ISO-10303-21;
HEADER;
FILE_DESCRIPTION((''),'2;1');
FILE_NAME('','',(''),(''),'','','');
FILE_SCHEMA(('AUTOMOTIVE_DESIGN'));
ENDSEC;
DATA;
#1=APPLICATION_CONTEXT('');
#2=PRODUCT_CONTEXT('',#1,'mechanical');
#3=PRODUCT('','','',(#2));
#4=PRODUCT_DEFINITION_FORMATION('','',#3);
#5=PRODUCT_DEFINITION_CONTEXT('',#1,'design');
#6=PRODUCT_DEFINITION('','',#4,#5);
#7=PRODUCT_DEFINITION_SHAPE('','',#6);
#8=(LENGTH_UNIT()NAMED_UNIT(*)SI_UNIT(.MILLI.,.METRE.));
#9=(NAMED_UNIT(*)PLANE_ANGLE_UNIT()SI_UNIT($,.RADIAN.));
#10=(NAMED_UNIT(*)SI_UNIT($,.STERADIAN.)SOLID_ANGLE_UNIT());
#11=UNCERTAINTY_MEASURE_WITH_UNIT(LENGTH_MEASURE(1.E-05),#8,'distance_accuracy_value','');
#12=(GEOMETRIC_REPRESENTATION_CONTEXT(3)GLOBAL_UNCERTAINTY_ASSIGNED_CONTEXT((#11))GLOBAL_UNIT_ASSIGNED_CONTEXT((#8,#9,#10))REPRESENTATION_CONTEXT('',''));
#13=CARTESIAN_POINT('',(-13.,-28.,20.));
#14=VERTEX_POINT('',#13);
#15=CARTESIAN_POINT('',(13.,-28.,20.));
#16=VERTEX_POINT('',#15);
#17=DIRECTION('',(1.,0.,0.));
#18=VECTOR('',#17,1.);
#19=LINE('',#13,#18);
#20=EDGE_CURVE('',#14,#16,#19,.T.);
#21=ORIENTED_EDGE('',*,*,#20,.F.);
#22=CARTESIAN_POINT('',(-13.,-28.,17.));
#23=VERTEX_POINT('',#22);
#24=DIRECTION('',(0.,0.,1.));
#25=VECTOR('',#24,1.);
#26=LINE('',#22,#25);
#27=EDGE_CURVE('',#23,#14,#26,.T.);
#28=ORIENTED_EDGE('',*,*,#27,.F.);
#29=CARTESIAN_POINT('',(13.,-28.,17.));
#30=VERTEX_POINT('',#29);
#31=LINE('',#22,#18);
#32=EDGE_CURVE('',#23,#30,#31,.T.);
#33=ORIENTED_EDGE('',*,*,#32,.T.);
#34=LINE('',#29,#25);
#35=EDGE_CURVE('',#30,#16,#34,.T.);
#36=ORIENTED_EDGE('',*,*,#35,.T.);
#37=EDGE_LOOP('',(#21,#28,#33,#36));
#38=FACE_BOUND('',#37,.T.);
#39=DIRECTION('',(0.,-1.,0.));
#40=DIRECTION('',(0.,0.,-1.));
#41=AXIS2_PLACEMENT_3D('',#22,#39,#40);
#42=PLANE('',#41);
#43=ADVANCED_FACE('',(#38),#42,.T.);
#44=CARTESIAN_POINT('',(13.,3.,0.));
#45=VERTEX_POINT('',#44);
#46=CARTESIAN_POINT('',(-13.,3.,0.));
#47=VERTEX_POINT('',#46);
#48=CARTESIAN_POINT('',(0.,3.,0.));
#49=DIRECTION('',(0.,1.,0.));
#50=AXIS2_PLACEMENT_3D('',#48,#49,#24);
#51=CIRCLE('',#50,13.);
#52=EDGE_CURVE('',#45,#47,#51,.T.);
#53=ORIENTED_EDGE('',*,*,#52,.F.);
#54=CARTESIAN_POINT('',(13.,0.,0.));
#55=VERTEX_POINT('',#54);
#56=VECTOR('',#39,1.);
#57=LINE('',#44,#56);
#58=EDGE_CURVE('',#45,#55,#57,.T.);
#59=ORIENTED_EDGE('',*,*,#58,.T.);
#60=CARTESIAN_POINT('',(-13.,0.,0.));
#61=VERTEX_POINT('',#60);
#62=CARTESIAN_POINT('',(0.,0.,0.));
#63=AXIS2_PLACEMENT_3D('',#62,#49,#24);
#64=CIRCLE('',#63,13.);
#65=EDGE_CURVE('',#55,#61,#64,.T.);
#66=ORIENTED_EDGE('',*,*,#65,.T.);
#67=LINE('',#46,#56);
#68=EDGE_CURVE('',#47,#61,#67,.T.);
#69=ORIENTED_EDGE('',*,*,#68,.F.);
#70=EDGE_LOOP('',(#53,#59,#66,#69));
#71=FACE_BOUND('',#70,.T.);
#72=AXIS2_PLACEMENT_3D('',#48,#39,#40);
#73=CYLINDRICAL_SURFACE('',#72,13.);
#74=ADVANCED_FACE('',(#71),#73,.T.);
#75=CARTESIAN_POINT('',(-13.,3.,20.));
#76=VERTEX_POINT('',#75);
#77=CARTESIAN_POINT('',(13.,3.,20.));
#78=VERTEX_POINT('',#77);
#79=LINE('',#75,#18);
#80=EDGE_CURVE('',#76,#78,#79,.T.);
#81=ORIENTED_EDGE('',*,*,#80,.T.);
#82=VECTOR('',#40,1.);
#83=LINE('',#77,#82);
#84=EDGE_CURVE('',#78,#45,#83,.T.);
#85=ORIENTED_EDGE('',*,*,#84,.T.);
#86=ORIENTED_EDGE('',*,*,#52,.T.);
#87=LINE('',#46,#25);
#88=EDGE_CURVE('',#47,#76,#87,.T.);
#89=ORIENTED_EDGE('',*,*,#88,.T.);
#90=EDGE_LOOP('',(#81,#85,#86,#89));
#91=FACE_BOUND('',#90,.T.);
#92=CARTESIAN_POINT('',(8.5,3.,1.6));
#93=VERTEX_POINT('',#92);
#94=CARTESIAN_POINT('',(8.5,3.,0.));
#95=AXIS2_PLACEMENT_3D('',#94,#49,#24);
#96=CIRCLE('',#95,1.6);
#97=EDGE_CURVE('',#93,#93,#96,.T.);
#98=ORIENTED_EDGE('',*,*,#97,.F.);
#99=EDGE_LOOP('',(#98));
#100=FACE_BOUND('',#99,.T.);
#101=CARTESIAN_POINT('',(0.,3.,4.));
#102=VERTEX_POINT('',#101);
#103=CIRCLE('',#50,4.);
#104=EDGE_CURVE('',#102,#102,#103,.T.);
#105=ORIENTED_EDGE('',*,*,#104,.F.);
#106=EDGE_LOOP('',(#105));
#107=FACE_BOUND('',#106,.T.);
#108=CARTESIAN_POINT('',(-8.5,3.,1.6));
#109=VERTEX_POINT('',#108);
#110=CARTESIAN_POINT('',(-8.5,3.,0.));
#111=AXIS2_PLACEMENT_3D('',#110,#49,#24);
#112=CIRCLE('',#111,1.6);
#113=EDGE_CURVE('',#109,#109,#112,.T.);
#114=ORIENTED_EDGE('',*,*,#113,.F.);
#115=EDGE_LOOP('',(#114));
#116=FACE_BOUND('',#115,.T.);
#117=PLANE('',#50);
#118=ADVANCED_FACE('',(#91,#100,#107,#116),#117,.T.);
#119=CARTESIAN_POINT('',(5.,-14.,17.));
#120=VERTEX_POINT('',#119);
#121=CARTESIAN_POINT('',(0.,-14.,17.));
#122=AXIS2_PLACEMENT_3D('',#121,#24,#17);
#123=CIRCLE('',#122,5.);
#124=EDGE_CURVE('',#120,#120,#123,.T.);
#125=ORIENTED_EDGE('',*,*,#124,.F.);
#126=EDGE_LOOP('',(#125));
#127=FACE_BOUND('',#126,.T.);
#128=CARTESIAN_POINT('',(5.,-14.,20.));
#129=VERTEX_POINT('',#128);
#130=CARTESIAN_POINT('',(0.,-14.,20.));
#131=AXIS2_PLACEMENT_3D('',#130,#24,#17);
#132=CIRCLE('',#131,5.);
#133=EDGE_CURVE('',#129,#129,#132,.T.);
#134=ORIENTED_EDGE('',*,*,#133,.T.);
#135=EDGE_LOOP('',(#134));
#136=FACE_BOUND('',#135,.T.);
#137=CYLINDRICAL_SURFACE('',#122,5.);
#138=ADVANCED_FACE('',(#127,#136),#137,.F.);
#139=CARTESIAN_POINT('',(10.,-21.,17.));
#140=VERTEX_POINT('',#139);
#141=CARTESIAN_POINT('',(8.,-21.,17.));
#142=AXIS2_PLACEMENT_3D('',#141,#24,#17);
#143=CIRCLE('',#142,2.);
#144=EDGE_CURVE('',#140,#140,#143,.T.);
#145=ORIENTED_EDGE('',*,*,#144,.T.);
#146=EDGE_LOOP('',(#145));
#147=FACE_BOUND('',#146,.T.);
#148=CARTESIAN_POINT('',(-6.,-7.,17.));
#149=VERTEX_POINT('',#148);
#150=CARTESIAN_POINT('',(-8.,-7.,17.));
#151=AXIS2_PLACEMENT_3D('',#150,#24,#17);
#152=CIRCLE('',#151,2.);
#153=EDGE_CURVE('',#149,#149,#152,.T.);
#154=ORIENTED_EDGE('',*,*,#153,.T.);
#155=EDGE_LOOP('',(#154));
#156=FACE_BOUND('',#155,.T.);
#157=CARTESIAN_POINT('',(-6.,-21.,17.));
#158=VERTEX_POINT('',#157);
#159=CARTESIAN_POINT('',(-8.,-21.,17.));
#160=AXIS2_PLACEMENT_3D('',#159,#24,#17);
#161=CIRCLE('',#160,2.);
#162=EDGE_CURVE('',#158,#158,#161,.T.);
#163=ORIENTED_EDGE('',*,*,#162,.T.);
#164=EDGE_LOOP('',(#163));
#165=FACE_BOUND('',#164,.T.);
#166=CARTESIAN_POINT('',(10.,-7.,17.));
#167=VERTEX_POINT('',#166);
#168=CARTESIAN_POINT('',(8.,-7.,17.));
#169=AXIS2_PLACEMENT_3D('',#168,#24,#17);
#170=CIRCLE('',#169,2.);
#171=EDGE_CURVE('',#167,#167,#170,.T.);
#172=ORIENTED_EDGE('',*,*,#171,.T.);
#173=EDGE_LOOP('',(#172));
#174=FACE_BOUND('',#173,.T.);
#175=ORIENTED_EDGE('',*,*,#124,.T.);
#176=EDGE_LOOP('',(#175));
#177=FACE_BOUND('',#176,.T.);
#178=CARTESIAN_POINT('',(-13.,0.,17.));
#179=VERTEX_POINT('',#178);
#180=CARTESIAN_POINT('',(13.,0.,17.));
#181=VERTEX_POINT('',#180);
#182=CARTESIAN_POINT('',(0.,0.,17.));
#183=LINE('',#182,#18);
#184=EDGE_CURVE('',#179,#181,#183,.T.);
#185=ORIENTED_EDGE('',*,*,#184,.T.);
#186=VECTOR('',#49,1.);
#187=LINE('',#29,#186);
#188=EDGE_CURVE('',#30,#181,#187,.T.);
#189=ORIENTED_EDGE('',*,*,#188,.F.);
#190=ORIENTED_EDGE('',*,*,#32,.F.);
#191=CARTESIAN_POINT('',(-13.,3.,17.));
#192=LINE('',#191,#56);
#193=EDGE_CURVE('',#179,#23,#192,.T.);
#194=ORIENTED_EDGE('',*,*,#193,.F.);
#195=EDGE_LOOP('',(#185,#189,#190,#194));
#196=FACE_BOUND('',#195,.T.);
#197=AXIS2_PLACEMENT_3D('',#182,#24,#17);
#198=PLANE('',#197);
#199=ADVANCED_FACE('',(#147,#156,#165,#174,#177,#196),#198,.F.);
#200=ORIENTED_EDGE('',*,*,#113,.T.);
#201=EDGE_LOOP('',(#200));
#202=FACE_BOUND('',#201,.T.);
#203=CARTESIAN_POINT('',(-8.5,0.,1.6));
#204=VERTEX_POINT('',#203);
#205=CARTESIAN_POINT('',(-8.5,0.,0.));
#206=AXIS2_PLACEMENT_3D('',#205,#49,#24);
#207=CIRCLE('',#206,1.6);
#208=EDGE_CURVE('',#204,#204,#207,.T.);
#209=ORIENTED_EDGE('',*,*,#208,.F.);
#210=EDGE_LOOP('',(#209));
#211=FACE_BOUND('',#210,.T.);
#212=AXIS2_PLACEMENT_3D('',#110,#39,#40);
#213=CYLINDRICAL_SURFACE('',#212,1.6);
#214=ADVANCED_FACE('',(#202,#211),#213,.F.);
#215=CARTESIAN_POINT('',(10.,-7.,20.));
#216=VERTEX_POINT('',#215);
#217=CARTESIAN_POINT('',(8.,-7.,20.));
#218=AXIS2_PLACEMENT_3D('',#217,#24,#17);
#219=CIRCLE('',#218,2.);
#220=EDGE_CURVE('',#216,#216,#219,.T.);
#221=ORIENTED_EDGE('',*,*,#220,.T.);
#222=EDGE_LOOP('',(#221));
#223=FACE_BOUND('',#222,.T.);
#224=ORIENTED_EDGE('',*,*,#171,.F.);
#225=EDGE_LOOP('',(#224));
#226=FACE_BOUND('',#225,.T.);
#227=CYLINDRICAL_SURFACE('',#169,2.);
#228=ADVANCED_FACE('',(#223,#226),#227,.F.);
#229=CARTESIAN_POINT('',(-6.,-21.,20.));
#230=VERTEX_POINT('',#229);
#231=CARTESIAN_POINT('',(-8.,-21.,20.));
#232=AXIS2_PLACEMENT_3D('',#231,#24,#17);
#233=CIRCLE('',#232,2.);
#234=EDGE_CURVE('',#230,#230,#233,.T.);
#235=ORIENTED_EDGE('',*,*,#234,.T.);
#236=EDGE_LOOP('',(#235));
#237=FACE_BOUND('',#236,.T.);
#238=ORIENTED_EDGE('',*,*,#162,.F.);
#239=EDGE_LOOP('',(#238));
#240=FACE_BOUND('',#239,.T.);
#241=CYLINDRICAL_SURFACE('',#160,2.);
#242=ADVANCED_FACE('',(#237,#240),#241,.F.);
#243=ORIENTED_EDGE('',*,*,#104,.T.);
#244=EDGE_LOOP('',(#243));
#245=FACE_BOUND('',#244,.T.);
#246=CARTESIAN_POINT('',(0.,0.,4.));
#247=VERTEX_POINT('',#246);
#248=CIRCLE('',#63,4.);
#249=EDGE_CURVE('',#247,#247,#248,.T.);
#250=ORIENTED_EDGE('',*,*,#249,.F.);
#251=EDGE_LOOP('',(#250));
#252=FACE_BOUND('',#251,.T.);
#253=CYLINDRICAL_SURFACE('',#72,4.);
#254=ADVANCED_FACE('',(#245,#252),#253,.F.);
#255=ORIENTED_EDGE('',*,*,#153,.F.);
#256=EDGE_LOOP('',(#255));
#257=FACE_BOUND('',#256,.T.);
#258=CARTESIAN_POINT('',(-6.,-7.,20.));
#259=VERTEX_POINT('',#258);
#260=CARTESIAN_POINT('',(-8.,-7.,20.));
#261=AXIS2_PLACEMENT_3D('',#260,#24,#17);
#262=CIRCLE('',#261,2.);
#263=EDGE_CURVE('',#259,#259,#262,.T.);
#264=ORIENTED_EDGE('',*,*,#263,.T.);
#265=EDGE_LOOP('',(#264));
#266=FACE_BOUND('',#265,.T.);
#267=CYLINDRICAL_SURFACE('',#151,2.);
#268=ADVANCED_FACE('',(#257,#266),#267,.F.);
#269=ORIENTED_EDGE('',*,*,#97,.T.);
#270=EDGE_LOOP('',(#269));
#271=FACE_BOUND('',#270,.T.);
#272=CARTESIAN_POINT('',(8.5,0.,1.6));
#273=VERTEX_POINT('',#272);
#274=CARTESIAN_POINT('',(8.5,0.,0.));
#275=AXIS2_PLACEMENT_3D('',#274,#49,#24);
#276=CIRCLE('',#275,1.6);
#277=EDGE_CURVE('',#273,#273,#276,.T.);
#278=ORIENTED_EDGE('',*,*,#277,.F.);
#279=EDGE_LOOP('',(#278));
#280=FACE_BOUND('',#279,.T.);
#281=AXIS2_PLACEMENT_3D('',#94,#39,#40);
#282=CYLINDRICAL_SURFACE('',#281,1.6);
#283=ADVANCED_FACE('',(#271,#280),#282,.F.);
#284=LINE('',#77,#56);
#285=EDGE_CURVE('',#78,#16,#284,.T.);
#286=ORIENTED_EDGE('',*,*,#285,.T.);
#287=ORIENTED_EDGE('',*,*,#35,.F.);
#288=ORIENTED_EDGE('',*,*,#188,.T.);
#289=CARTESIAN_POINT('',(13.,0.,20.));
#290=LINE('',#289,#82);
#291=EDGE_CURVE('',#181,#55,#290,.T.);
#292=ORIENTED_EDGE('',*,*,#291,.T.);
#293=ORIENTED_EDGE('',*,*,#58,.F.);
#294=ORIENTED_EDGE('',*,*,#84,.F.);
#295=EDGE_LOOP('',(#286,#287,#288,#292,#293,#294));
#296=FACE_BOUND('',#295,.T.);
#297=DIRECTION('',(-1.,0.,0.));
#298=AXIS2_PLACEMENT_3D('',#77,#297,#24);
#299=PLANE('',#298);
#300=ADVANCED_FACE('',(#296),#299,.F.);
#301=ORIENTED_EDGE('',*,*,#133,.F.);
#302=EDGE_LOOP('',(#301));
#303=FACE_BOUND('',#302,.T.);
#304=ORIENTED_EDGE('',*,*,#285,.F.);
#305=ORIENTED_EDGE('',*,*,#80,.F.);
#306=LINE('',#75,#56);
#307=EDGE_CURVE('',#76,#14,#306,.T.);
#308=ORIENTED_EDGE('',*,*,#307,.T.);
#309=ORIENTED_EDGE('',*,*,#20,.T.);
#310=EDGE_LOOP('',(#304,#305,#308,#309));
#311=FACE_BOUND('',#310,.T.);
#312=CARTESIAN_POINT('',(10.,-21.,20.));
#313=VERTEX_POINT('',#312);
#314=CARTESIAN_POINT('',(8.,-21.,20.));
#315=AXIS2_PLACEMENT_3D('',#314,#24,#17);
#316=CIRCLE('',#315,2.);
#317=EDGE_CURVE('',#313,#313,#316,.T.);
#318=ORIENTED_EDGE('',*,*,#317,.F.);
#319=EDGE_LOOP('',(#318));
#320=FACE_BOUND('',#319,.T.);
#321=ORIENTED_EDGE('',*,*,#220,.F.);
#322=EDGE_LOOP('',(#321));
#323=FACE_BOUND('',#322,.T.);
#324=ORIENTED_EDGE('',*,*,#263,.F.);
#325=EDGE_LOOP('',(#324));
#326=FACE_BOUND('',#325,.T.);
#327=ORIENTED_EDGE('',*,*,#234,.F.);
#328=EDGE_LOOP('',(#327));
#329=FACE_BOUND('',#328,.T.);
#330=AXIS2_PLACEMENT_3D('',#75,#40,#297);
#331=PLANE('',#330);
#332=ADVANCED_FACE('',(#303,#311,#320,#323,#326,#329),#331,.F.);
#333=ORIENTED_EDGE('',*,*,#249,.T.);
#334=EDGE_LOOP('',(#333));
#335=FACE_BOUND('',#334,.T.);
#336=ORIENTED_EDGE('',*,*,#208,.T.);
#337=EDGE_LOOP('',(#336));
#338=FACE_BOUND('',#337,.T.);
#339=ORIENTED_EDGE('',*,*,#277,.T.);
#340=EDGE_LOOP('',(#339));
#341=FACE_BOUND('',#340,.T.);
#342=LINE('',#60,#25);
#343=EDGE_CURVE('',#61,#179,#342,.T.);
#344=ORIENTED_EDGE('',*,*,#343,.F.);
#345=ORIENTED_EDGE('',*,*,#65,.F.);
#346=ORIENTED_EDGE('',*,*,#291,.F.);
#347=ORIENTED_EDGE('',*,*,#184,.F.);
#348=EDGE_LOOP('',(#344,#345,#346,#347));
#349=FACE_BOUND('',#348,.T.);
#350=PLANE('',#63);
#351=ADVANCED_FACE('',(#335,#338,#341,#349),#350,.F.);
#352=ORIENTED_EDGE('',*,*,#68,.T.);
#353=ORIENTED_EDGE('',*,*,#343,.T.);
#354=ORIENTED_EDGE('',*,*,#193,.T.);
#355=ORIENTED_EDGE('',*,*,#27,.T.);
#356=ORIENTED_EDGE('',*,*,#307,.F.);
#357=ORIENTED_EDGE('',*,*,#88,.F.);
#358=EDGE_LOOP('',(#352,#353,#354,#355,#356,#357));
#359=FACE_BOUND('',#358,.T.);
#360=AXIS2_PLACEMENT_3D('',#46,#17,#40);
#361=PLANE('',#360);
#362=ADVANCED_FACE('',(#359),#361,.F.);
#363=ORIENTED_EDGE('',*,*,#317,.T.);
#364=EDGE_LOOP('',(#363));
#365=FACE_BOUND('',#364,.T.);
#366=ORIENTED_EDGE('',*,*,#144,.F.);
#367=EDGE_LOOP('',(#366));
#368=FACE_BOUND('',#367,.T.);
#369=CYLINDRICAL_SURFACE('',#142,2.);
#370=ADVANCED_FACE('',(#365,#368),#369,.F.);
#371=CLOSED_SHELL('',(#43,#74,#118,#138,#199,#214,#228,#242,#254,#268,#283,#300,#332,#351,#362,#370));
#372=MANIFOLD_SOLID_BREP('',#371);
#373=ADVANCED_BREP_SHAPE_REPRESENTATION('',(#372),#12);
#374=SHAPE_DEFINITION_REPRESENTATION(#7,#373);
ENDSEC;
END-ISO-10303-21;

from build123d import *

# Parameters (mm, degrees)
SKETCH_1_R      = 4
SKETCH_1_R_2    = 1.6
EXTRUDE_1_DEPTH = 3
SKETCH_3_W      = 26
SKETCH_3_H      = 31
SKETCH_3_R      = 5
SKETCH_3_R_2    = 2
EXTRUDE_2_DEPTH = 3


with BuildPart() as part:
    # 草图1 → 凸台-拉伸1 (new body)
    with BuildSketch(Plane(origin=(0, 0, 0), x_dir=(1, 0, 0), z_dir=(0, 1, 0))):
        with BuildLine():
            Line((-13, 0), (-13, -20))
            Line((-13, -20), (13, -20))
            Line((13, -20), (13, 0))
            ThreePointArc((13, 0), (0, 13), (-13, 0))
        make_face()
        with Locations(Location((0, 0, 0), (0, 0, 270))):
            Circle(SKETCH_1_R, mode=Mode.SUBTRACT)
        with Locations(Location((-8.5, 0, 0), (0, 0, 270))):
            Circle(SKETCH_1_R_2, mode=Mode.SUBTRACT)
        with Locations(Location((8.5, 0, 0), (0, 0, 270))):
            Circle(SKETCH_1_R_2, mode=Mode.SUBTRACT)
    extrude(amount=EXTRUDE_1_DEPTH)

    # 草图3 → 凸台-拉伸2 (add)
    with BuildSketch(Plane.XY.offset(20)):
        with Locations((0, -12.5)):
            Rectangle(SKETCH_3_W, SKETCH_3_H)
        with Locations((0, -14)):
            Circle(SKETCH_3_R, mode=Mode.SUBTRACT)
        with Locations((-8, -7)):
            Circle(SKETCH_3_R_2, mode=Mode.SUBTRACT)
        with Locations((8, -7)):
            Circle(SKETCH_3_R_2, mode=Mode.SUBTRACT)
        with Locations((8, -21)):
            Circle(SKETCH_3_R_2, mode=Mode.SUBTRACT)
        with Locations((-8, -21)):
            Circle(SKETCH_3_R_2, mode=Mode.SUBTRACT)
    extrude(amount=-EXTRUDE_2_DEPTH)


solid = part.part
